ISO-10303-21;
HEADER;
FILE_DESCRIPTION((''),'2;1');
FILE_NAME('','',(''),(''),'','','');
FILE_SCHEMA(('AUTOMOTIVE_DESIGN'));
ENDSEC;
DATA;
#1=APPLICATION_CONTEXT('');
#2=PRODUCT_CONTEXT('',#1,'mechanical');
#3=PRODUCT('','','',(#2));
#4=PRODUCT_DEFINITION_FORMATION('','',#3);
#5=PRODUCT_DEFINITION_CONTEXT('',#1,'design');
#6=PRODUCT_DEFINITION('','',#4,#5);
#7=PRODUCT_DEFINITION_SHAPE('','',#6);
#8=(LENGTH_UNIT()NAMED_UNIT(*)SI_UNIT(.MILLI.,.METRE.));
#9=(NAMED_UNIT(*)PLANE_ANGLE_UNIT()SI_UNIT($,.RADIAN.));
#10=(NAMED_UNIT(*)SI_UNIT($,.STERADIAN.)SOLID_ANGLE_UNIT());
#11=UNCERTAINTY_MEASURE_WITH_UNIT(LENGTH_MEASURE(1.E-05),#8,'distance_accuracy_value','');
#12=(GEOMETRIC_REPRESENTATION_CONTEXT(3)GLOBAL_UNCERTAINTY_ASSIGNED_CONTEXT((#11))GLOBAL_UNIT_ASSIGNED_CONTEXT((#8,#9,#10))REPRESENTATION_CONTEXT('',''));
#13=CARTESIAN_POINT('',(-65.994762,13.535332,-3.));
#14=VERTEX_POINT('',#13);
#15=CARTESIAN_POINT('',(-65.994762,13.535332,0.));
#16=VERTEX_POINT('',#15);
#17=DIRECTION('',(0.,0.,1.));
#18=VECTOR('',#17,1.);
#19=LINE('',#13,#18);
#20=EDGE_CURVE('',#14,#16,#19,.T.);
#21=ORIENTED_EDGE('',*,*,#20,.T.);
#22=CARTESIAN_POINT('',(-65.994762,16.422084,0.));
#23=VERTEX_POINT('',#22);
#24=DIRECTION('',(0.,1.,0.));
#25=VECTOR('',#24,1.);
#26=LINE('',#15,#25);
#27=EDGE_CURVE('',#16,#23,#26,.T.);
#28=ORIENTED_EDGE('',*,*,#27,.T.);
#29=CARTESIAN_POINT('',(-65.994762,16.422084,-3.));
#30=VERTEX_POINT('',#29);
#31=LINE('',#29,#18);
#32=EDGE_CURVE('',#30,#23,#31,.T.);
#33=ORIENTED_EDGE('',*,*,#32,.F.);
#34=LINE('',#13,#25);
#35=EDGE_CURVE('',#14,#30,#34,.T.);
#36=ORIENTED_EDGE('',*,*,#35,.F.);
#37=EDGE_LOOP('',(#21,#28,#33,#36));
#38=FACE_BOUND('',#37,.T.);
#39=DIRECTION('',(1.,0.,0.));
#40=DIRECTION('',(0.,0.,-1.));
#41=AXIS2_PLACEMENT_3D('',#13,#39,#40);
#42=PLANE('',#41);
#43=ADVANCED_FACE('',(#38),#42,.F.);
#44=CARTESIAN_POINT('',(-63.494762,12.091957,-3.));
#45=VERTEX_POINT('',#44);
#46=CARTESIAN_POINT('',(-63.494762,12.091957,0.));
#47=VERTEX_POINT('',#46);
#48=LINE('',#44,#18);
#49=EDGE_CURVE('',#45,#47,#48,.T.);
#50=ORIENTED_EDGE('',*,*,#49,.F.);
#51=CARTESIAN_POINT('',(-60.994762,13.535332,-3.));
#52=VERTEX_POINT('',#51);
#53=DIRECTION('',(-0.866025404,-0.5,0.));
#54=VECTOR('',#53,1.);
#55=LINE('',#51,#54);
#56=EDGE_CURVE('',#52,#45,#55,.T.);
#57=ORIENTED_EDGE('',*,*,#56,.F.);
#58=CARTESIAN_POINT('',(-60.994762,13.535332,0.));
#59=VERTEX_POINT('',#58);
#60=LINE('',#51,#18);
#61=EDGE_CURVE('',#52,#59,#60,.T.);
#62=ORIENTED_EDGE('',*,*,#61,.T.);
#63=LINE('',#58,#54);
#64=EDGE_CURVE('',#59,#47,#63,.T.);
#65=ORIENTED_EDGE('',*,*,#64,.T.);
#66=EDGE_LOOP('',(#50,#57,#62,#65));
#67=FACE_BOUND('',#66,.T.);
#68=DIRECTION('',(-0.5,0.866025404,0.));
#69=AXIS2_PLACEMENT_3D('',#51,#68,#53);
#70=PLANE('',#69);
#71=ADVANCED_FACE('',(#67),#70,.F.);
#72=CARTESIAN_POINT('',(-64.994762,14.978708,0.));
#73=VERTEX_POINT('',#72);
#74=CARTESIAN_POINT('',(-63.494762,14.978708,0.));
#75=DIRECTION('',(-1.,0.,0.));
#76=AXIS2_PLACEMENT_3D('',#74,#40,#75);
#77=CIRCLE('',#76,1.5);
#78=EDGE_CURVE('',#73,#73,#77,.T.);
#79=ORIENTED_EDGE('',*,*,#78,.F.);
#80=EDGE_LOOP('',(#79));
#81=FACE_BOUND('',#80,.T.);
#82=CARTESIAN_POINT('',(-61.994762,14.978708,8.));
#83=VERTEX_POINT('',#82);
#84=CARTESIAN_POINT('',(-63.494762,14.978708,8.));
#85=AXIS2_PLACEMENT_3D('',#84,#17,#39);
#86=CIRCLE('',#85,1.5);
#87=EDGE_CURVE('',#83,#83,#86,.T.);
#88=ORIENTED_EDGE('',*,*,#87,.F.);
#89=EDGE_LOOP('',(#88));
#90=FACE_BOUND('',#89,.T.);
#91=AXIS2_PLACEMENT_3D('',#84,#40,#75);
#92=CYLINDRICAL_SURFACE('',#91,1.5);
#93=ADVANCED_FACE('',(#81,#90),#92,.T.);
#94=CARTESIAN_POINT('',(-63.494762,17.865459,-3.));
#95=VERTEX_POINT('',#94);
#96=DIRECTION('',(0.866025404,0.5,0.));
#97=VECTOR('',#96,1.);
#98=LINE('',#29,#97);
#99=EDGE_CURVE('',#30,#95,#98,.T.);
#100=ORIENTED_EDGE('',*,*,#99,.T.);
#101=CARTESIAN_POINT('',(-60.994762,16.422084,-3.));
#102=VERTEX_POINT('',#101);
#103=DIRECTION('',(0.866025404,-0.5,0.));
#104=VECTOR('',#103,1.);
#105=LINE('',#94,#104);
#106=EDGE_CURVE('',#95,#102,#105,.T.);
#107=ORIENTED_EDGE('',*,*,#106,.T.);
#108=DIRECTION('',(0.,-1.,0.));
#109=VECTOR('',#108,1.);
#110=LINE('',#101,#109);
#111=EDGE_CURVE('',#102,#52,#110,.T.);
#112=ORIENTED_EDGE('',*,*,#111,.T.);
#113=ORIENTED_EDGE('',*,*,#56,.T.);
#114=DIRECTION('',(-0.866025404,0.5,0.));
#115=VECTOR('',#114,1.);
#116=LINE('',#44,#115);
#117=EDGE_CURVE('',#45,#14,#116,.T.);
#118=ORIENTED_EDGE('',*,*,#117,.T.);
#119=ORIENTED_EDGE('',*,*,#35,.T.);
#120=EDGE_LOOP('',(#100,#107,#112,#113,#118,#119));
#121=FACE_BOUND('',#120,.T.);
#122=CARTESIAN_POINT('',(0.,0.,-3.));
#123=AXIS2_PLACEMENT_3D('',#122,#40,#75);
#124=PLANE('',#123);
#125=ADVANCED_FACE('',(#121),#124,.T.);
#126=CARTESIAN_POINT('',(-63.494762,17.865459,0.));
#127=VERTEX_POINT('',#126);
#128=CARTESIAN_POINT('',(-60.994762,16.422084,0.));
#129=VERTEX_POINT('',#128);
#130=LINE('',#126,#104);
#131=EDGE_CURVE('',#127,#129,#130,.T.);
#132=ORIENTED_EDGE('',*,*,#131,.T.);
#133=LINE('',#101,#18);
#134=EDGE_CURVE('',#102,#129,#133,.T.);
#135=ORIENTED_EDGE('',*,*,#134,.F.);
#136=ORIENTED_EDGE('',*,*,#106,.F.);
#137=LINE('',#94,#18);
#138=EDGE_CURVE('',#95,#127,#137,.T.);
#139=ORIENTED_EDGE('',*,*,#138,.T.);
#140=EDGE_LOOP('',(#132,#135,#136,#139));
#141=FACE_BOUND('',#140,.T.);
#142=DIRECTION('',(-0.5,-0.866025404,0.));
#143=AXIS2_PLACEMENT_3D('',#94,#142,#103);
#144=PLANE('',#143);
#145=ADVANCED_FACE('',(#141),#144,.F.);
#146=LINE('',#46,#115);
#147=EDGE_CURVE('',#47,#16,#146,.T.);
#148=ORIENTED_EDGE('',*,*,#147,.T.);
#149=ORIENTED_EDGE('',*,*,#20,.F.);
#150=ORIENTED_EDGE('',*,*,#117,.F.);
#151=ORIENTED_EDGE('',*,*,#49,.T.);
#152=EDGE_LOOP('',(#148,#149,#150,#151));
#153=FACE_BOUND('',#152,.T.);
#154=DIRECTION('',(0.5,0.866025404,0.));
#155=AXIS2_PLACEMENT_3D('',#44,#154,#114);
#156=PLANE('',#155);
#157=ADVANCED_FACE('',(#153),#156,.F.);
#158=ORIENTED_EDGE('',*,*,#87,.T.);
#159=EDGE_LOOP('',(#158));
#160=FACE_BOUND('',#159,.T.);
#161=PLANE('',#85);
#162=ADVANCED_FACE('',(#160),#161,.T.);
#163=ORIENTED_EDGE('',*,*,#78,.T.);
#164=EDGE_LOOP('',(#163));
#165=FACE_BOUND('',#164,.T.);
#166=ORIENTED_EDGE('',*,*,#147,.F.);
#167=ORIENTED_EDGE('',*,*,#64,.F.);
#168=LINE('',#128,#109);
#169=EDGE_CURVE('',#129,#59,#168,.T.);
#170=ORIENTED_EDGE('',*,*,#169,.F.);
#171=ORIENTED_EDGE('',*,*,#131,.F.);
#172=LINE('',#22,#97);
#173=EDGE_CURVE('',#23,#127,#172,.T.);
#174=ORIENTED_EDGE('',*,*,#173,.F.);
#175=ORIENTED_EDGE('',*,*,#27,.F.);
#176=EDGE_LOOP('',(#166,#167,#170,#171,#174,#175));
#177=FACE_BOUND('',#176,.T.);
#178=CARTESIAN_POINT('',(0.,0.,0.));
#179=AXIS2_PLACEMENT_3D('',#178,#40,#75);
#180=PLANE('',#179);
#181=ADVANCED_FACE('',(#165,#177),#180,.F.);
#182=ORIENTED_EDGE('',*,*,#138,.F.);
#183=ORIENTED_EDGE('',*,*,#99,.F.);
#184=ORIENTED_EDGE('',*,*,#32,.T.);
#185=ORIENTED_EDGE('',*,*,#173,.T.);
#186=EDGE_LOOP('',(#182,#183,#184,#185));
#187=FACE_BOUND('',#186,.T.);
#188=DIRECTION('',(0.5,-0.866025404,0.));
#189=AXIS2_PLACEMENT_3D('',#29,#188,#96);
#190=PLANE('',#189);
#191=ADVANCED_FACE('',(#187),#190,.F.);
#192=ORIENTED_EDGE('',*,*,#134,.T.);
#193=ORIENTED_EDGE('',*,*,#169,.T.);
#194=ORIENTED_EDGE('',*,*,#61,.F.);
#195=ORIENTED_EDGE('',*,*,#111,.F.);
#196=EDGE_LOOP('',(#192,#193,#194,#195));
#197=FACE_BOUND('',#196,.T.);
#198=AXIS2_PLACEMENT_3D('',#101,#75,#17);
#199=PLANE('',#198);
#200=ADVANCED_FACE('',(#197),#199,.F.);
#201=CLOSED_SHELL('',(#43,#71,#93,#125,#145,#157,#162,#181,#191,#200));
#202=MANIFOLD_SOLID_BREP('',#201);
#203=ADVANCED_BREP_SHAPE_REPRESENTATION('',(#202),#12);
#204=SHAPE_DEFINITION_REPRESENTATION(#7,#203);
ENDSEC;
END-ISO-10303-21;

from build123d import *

# Parameters (mm, degrees)
SKETCH1_R           = 1.5
BOSS_EXTRUDE1_DEPTH = 8
BOSS_EXTRUDE2_DEPTH = 3


with BuildPart() as part:
    # Sketch1 → Boss-Extrude1 (new body)
    with BuildSketch(Plane.XY):
        with Locations((-63.49476159, 14.978708134)):
            Circle(SKETCH1_R)
    extrude(amount=BOSS_EXTRUDE1_DEPTH)

    # Sketch2 → Boss-Extrude2 (add)
    with BuildSketch(Plane(origin=(0, 0, 0), x_dir=(-1, 0, 0), z_dir=(0, 0, -1))):
        Polygon((63.49476159, 12.091956788), (65.99476159, 13.535332461), (65.99476159, 16.422083807), (63.49476159, 17.86545948), (60.99476159, 16.422083807), (60.99476159, 13.535332461), align=None)
    extrude(amount=BOSS_EXTRUDE2_DEPTH)


solid = part.part
